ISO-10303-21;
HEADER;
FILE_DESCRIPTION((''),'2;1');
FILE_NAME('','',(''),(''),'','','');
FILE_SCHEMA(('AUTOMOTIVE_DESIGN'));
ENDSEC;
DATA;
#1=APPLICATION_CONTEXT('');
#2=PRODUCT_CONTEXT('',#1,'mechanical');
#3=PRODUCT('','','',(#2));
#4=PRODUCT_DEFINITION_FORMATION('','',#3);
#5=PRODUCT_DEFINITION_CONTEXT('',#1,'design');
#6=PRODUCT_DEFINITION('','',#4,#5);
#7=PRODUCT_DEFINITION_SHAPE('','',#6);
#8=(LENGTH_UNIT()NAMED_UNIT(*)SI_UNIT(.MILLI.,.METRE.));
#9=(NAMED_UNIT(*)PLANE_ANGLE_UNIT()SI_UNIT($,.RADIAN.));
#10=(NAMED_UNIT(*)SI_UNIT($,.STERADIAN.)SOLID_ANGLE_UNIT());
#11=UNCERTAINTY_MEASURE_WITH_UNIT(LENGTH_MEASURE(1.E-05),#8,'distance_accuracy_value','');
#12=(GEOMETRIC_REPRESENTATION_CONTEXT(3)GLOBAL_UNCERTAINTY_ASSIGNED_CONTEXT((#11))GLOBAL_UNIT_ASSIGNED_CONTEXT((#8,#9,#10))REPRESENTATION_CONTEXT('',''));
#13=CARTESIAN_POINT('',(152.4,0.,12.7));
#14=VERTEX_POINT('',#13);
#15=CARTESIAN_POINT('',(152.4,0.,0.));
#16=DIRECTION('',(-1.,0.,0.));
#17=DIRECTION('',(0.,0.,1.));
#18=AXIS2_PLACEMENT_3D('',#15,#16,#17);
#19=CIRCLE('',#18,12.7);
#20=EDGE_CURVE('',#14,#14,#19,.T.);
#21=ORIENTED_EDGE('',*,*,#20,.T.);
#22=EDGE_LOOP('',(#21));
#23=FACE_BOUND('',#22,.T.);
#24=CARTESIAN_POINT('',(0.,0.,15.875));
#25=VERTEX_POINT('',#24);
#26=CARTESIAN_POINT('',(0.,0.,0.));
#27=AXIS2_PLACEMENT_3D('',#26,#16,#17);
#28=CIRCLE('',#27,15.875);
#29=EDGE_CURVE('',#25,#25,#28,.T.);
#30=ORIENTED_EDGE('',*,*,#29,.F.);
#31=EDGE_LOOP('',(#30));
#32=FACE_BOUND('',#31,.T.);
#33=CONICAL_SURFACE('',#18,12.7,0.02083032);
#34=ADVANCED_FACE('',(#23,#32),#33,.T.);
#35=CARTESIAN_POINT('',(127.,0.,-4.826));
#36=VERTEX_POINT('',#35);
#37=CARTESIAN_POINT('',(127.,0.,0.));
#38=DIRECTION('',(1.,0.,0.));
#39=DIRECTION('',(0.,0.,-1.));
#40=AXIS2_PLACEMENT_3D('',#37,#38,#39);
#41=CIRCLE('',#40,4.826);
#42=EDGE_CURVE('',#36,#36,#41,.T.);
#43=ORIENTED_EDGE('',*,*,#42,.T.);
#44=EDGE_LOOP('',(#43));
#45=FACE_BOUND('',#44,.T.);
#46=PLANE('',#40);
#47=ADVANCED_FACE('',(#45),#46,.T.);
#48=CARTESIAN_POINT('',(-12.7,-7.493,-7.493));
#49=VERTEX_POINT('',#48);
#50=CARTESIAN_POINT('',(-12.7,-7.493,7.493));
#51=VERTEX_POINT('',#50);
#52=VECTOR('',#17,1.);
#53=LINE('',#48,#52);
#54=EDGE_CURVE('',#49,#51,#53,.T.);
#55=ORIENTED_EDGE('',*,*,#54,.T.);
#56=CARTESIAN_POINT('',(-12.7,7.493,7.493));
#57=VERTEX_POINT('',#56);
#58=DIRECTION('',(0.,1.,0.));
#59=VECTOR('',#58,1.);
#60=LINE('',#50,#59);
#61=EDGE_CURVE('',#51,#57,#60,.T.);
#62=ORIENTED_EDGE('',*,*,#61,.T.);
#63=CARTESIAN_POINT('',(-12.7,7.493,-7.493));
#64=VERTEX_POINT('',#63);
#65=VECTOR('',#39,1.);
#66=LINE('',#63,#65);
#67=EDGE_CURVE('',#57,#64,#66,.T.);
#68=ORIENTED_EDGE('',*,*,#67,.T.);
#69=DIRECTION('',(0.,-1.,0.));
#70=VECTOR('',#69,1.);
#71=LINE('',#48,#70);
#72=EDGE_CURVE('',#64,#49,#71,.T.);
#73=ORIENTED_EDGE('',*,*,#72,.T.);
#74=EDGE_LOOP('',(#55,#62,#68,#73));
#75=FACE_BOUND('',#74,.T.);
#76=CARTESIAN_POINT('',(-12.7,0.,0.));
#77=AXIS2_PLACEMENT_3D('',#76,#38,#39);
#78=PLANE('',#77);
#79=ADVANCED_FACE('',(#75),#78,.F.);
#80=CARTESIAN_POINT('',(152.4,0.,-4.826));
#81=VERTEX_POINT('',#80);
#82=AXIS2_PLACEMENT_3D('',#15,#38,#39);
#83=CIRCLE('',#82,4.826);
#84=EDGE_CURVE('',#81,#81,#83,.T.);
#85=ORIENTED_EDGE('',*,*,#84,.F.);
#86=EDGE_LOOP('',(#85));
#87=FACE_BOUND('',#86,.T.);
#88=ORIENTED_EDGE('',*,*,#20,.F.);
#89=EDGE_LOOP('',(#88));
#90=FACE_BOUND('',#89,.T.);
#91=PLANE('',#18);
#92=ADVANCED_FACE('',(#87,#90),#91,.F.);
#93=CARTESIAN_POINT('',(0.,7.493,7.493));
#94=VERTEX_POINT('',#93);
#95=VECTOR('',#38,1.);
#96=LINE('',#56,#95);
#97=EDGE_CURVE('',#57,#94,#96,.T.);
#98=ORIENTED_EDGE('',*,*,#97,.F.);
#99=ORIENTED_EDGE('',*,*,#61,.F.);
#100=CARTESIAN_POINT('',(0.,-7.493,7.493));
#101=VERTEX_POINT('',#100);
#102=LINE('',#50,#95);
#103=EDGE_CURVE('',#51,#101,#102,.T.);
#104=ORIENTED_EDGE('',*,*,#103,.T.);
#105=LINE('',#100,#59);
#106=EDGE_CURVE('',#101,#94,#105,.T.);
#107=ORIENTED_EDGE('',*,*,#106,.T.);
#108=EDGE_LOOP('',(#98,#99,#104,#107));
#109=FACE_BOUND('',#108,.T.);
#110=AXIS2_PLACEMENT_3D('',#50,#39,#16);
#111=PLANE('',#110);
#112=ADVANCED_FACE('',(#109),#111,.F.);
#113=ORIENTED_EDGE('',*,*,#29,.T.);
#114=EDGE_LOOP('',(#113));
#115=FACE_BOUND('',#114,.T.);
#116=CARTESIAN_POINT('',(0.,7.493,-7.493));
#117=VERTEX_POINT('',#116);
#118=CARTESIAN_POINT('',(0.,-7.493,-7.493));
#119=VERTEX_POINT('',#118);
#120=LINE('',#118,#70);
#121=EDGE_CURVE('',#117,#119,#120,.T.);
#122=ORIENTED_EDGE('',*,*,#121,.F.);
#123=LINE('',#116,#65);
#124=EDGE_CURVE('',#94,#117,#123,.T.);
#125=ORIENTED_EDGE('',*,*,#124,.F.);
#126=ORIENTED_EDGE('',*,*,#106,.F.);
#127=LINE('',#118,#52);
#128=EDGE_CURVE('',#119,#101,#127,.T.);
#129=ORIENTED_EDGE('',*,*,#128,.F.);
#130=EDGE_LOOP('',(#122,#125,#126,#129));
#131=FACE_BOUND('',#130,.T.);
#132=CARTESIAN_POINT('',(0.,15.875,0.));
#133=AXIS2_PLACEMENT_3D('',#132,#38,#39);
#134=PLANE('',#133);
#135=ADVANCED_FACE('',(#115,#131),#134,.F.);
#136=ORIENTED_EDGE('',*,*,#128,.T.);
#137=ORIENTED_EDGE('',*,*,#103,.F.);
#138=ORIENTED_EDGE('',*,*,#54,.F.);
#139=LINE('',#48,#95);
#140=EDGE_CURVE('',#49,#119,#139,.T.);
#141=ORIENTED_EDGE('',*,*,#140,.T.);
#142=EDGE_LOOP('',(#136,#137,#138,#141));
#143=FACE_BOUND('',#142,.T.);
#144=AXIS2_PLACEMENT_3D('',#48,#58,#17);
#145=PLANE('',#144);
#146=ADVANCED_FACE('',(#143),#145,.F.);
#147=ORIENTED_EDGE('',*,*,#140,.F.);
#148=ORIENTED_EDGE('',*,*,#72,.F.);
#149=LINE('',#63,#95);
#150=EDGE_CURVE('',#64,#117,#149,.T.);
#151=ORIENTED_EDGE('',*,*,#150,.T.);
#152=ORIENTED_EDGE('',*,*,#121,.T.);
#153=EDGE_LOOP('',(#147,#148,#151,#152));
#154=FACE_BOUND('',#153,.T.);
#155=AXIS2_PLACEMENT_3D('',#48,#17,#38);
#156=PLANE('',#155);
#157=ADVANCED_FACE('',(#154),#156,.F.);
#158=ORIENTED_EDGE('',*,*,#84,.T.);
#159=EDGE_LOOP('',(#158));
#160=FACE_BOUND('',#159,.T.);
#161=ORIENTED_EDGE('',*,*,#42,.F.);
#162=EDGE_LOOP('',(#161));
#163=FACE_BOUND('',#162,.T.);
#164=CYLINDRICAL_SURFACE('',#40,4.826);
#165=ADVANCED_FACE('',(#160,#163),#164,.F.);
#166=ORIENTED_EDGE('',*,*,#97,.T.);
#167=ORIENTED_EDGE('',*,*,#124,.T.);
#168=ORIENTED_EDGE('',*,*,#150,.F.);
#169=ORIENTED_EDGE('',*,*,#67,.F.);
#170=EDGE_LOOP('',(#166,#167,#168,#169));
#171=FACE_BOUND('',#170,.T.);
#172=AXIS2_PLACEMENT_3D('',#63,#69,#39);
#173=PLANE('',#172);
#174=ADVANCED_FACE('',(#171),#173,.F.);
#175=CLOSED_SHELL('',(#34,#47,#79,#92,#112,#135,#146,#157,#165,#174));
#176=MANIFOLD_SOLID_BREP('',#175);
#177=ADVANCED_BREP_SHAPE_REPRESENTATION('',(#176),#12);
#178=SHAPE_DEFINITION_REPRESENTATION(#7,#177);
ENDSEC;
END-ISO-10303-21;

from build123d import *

# Parameters (mm, degrees)
SKETCH2_R           = 4.826
CUT_EXTRUDE1_DEPTH  = 25.4
SKETCH3_W           = 14.986
SKETCH3_H           = 14.986
BOSS_EXTRUDE1_DEPTH = 12.7


with BuildPart() as part:
    # Sketch1 → Revolve1 (revolve)
    with BuildSketch(Plane.XY):
        Polygon((0, 0), (152.4, 0), (152.4, 12.7), (0, 15.875), align=None)
    revolve(axis=Axis((0, 0, 0), (1, 0, 0)))

    # Sketch2 → Cut-Extrude1 (cut)
    with BuildSketch(Plane(origin=(152.4, 0, 0), x_dir=(0, 0, -1), z_dir=(1, 0, 0))):
        Circle(SKETCH2_R)
    extrude(amount=-CUT_EXTRUDE1_DEPTH, mode=Mode.SUBTRACT)

    # Sketch3 → Boss-Extrude1 (add)
    with BuildSketch(Plane.ZY):
        Rectangle(SKETCH3_W, SKETCH3_H)
    extrude(amount=BOSS_EXTRUDE1_DEPTH)


solid = part.part
